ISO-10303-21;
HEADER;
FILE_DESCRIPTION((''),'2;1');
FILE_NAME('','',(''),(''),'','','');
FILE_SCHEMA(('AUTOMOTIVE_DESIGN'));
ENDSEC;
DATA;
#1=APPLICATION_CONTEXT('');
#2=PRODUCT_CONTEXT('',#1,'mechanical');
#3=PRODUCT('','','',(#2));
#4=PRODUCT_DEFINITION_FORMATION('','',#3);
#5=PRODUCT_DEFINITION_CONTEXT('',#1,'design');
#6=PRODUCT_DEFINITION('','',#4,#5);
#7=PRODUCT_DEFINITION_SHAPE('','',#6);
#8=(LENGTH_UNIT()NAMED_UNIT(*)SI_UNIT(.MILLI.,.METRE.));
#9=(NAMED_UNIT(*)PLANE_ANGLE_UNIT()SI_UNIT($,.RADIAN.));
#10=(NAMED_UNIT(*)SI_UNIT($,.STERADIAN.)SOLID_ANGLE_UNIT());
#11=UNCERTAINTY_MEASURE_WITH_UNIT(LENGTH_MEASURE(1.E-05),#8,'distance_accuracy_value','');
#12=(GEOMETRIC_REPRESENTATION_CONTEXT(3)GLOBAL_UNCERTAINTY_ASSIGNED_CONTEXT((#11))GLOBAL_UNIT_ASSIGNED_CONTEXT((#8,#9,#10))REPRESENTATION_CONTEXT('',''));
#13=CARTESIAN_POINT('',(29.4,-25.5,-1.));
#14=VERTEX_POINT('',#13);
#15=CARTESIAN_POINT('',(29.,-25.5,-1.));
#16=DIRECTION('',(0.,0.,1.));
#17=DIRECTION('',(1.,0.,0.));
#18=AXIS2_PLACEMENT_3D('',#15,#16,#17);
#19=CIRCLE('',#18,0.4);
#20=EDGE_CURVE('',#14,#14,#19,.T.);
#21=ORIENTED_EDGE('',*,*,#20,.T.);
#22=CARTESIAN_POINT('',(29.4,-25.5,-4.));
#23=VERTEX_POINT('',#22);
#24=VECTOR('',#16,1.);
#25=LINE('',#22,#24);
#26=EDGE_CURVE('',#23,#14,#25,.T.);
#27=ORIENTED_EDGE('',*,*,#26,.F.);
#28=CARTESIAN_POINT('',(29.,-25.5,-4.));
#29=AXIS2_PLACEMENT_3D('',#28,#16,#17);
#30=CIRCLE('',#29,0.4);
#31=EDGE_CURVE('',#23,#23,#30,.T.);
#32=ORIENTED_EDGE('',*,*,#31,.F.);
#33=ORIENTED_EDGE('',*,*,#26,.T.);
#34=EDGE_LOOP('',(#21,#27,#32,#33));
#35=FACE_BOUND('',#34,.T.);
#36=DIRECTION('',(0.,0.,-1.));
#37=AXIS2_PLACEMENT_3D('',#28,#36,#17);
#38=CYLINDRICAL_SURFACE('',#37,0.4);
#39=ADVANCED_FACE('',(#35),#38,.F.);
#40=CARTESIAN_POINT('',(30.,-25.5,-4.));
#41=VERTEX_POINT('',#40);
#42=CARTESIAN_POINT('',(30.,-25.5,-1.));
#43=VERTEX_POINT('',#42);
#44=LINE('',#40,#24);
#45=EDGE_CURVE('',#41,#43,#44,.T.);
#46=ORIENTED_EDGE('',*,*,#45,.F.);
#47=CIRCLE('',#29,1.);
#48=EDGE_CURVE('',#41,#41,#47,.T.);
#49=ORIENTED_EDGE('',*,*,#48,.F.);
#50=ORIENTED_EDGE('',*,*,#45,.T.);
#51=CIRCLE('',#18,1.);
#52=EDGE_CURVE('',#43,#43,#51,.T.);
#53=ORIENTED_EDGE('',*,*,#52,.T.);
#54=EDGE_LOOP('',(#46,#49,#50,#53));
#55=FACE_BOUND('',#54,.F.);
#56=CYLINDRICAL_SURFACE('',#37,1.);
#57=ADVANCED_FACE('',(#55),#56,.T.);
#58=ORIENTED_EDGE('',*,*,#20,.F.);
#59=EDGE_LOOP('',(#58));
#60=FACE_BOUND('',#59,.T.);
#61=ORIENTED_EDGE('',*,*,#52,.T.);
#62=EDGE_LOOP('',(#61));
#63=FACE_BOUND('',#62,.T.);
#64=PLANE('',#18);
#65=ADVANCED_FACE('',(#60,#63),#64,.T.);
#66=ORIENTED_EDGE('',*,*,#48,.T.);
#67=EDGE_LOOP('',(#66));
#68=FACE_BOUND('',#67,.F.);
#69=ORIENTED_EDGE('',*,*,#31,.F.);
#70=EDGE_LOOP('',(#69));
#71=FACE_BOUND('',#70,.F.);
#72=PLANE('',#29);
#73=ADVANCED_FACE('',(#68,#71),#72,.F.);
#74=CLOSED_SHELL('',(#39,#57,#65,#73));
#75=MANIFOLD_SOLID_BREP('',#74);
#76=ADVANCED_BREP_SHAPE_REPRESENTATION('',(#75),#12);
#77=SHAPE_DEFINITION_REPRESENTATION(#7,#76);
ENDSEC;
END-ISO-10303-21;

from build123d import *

# Parameters (mm, degrees)
CYLINDER004_R     = 0.4
CYLINDER004_DEPTH = 3
CYLINDER001_R     = 1
CYLINDER001_DEPTH = 3


with BuildPart() as cylinder004:
    # Cylinder004 → Cylinder004 (new body)
    with BuildSketch(Plane(origin=(29, -25.5, -4), x_dir=(1, 0, 0), z_dir=(0, 0, 1))):
        Circle(CYLINDER004_R)
    extrude(amount=CYLINDER004_DEPTH)


with BuildPart() as cut006:
    # Cylinder001 → Cylinder001 (new body)
    with BuildSketch(Plane(origin=(29, -25.5, -4), x_dir=(1, 0, 0), z_dir=(0, 0, 1))):
        Circle(CYLINDER001_R)
    extrude(amount=CYLINDER001_DEPTH)

    # Cut006: cut Cylinder004
    add(cylinder004.part, mode=Mode.SUBTRACT)


solid = cut006.part
